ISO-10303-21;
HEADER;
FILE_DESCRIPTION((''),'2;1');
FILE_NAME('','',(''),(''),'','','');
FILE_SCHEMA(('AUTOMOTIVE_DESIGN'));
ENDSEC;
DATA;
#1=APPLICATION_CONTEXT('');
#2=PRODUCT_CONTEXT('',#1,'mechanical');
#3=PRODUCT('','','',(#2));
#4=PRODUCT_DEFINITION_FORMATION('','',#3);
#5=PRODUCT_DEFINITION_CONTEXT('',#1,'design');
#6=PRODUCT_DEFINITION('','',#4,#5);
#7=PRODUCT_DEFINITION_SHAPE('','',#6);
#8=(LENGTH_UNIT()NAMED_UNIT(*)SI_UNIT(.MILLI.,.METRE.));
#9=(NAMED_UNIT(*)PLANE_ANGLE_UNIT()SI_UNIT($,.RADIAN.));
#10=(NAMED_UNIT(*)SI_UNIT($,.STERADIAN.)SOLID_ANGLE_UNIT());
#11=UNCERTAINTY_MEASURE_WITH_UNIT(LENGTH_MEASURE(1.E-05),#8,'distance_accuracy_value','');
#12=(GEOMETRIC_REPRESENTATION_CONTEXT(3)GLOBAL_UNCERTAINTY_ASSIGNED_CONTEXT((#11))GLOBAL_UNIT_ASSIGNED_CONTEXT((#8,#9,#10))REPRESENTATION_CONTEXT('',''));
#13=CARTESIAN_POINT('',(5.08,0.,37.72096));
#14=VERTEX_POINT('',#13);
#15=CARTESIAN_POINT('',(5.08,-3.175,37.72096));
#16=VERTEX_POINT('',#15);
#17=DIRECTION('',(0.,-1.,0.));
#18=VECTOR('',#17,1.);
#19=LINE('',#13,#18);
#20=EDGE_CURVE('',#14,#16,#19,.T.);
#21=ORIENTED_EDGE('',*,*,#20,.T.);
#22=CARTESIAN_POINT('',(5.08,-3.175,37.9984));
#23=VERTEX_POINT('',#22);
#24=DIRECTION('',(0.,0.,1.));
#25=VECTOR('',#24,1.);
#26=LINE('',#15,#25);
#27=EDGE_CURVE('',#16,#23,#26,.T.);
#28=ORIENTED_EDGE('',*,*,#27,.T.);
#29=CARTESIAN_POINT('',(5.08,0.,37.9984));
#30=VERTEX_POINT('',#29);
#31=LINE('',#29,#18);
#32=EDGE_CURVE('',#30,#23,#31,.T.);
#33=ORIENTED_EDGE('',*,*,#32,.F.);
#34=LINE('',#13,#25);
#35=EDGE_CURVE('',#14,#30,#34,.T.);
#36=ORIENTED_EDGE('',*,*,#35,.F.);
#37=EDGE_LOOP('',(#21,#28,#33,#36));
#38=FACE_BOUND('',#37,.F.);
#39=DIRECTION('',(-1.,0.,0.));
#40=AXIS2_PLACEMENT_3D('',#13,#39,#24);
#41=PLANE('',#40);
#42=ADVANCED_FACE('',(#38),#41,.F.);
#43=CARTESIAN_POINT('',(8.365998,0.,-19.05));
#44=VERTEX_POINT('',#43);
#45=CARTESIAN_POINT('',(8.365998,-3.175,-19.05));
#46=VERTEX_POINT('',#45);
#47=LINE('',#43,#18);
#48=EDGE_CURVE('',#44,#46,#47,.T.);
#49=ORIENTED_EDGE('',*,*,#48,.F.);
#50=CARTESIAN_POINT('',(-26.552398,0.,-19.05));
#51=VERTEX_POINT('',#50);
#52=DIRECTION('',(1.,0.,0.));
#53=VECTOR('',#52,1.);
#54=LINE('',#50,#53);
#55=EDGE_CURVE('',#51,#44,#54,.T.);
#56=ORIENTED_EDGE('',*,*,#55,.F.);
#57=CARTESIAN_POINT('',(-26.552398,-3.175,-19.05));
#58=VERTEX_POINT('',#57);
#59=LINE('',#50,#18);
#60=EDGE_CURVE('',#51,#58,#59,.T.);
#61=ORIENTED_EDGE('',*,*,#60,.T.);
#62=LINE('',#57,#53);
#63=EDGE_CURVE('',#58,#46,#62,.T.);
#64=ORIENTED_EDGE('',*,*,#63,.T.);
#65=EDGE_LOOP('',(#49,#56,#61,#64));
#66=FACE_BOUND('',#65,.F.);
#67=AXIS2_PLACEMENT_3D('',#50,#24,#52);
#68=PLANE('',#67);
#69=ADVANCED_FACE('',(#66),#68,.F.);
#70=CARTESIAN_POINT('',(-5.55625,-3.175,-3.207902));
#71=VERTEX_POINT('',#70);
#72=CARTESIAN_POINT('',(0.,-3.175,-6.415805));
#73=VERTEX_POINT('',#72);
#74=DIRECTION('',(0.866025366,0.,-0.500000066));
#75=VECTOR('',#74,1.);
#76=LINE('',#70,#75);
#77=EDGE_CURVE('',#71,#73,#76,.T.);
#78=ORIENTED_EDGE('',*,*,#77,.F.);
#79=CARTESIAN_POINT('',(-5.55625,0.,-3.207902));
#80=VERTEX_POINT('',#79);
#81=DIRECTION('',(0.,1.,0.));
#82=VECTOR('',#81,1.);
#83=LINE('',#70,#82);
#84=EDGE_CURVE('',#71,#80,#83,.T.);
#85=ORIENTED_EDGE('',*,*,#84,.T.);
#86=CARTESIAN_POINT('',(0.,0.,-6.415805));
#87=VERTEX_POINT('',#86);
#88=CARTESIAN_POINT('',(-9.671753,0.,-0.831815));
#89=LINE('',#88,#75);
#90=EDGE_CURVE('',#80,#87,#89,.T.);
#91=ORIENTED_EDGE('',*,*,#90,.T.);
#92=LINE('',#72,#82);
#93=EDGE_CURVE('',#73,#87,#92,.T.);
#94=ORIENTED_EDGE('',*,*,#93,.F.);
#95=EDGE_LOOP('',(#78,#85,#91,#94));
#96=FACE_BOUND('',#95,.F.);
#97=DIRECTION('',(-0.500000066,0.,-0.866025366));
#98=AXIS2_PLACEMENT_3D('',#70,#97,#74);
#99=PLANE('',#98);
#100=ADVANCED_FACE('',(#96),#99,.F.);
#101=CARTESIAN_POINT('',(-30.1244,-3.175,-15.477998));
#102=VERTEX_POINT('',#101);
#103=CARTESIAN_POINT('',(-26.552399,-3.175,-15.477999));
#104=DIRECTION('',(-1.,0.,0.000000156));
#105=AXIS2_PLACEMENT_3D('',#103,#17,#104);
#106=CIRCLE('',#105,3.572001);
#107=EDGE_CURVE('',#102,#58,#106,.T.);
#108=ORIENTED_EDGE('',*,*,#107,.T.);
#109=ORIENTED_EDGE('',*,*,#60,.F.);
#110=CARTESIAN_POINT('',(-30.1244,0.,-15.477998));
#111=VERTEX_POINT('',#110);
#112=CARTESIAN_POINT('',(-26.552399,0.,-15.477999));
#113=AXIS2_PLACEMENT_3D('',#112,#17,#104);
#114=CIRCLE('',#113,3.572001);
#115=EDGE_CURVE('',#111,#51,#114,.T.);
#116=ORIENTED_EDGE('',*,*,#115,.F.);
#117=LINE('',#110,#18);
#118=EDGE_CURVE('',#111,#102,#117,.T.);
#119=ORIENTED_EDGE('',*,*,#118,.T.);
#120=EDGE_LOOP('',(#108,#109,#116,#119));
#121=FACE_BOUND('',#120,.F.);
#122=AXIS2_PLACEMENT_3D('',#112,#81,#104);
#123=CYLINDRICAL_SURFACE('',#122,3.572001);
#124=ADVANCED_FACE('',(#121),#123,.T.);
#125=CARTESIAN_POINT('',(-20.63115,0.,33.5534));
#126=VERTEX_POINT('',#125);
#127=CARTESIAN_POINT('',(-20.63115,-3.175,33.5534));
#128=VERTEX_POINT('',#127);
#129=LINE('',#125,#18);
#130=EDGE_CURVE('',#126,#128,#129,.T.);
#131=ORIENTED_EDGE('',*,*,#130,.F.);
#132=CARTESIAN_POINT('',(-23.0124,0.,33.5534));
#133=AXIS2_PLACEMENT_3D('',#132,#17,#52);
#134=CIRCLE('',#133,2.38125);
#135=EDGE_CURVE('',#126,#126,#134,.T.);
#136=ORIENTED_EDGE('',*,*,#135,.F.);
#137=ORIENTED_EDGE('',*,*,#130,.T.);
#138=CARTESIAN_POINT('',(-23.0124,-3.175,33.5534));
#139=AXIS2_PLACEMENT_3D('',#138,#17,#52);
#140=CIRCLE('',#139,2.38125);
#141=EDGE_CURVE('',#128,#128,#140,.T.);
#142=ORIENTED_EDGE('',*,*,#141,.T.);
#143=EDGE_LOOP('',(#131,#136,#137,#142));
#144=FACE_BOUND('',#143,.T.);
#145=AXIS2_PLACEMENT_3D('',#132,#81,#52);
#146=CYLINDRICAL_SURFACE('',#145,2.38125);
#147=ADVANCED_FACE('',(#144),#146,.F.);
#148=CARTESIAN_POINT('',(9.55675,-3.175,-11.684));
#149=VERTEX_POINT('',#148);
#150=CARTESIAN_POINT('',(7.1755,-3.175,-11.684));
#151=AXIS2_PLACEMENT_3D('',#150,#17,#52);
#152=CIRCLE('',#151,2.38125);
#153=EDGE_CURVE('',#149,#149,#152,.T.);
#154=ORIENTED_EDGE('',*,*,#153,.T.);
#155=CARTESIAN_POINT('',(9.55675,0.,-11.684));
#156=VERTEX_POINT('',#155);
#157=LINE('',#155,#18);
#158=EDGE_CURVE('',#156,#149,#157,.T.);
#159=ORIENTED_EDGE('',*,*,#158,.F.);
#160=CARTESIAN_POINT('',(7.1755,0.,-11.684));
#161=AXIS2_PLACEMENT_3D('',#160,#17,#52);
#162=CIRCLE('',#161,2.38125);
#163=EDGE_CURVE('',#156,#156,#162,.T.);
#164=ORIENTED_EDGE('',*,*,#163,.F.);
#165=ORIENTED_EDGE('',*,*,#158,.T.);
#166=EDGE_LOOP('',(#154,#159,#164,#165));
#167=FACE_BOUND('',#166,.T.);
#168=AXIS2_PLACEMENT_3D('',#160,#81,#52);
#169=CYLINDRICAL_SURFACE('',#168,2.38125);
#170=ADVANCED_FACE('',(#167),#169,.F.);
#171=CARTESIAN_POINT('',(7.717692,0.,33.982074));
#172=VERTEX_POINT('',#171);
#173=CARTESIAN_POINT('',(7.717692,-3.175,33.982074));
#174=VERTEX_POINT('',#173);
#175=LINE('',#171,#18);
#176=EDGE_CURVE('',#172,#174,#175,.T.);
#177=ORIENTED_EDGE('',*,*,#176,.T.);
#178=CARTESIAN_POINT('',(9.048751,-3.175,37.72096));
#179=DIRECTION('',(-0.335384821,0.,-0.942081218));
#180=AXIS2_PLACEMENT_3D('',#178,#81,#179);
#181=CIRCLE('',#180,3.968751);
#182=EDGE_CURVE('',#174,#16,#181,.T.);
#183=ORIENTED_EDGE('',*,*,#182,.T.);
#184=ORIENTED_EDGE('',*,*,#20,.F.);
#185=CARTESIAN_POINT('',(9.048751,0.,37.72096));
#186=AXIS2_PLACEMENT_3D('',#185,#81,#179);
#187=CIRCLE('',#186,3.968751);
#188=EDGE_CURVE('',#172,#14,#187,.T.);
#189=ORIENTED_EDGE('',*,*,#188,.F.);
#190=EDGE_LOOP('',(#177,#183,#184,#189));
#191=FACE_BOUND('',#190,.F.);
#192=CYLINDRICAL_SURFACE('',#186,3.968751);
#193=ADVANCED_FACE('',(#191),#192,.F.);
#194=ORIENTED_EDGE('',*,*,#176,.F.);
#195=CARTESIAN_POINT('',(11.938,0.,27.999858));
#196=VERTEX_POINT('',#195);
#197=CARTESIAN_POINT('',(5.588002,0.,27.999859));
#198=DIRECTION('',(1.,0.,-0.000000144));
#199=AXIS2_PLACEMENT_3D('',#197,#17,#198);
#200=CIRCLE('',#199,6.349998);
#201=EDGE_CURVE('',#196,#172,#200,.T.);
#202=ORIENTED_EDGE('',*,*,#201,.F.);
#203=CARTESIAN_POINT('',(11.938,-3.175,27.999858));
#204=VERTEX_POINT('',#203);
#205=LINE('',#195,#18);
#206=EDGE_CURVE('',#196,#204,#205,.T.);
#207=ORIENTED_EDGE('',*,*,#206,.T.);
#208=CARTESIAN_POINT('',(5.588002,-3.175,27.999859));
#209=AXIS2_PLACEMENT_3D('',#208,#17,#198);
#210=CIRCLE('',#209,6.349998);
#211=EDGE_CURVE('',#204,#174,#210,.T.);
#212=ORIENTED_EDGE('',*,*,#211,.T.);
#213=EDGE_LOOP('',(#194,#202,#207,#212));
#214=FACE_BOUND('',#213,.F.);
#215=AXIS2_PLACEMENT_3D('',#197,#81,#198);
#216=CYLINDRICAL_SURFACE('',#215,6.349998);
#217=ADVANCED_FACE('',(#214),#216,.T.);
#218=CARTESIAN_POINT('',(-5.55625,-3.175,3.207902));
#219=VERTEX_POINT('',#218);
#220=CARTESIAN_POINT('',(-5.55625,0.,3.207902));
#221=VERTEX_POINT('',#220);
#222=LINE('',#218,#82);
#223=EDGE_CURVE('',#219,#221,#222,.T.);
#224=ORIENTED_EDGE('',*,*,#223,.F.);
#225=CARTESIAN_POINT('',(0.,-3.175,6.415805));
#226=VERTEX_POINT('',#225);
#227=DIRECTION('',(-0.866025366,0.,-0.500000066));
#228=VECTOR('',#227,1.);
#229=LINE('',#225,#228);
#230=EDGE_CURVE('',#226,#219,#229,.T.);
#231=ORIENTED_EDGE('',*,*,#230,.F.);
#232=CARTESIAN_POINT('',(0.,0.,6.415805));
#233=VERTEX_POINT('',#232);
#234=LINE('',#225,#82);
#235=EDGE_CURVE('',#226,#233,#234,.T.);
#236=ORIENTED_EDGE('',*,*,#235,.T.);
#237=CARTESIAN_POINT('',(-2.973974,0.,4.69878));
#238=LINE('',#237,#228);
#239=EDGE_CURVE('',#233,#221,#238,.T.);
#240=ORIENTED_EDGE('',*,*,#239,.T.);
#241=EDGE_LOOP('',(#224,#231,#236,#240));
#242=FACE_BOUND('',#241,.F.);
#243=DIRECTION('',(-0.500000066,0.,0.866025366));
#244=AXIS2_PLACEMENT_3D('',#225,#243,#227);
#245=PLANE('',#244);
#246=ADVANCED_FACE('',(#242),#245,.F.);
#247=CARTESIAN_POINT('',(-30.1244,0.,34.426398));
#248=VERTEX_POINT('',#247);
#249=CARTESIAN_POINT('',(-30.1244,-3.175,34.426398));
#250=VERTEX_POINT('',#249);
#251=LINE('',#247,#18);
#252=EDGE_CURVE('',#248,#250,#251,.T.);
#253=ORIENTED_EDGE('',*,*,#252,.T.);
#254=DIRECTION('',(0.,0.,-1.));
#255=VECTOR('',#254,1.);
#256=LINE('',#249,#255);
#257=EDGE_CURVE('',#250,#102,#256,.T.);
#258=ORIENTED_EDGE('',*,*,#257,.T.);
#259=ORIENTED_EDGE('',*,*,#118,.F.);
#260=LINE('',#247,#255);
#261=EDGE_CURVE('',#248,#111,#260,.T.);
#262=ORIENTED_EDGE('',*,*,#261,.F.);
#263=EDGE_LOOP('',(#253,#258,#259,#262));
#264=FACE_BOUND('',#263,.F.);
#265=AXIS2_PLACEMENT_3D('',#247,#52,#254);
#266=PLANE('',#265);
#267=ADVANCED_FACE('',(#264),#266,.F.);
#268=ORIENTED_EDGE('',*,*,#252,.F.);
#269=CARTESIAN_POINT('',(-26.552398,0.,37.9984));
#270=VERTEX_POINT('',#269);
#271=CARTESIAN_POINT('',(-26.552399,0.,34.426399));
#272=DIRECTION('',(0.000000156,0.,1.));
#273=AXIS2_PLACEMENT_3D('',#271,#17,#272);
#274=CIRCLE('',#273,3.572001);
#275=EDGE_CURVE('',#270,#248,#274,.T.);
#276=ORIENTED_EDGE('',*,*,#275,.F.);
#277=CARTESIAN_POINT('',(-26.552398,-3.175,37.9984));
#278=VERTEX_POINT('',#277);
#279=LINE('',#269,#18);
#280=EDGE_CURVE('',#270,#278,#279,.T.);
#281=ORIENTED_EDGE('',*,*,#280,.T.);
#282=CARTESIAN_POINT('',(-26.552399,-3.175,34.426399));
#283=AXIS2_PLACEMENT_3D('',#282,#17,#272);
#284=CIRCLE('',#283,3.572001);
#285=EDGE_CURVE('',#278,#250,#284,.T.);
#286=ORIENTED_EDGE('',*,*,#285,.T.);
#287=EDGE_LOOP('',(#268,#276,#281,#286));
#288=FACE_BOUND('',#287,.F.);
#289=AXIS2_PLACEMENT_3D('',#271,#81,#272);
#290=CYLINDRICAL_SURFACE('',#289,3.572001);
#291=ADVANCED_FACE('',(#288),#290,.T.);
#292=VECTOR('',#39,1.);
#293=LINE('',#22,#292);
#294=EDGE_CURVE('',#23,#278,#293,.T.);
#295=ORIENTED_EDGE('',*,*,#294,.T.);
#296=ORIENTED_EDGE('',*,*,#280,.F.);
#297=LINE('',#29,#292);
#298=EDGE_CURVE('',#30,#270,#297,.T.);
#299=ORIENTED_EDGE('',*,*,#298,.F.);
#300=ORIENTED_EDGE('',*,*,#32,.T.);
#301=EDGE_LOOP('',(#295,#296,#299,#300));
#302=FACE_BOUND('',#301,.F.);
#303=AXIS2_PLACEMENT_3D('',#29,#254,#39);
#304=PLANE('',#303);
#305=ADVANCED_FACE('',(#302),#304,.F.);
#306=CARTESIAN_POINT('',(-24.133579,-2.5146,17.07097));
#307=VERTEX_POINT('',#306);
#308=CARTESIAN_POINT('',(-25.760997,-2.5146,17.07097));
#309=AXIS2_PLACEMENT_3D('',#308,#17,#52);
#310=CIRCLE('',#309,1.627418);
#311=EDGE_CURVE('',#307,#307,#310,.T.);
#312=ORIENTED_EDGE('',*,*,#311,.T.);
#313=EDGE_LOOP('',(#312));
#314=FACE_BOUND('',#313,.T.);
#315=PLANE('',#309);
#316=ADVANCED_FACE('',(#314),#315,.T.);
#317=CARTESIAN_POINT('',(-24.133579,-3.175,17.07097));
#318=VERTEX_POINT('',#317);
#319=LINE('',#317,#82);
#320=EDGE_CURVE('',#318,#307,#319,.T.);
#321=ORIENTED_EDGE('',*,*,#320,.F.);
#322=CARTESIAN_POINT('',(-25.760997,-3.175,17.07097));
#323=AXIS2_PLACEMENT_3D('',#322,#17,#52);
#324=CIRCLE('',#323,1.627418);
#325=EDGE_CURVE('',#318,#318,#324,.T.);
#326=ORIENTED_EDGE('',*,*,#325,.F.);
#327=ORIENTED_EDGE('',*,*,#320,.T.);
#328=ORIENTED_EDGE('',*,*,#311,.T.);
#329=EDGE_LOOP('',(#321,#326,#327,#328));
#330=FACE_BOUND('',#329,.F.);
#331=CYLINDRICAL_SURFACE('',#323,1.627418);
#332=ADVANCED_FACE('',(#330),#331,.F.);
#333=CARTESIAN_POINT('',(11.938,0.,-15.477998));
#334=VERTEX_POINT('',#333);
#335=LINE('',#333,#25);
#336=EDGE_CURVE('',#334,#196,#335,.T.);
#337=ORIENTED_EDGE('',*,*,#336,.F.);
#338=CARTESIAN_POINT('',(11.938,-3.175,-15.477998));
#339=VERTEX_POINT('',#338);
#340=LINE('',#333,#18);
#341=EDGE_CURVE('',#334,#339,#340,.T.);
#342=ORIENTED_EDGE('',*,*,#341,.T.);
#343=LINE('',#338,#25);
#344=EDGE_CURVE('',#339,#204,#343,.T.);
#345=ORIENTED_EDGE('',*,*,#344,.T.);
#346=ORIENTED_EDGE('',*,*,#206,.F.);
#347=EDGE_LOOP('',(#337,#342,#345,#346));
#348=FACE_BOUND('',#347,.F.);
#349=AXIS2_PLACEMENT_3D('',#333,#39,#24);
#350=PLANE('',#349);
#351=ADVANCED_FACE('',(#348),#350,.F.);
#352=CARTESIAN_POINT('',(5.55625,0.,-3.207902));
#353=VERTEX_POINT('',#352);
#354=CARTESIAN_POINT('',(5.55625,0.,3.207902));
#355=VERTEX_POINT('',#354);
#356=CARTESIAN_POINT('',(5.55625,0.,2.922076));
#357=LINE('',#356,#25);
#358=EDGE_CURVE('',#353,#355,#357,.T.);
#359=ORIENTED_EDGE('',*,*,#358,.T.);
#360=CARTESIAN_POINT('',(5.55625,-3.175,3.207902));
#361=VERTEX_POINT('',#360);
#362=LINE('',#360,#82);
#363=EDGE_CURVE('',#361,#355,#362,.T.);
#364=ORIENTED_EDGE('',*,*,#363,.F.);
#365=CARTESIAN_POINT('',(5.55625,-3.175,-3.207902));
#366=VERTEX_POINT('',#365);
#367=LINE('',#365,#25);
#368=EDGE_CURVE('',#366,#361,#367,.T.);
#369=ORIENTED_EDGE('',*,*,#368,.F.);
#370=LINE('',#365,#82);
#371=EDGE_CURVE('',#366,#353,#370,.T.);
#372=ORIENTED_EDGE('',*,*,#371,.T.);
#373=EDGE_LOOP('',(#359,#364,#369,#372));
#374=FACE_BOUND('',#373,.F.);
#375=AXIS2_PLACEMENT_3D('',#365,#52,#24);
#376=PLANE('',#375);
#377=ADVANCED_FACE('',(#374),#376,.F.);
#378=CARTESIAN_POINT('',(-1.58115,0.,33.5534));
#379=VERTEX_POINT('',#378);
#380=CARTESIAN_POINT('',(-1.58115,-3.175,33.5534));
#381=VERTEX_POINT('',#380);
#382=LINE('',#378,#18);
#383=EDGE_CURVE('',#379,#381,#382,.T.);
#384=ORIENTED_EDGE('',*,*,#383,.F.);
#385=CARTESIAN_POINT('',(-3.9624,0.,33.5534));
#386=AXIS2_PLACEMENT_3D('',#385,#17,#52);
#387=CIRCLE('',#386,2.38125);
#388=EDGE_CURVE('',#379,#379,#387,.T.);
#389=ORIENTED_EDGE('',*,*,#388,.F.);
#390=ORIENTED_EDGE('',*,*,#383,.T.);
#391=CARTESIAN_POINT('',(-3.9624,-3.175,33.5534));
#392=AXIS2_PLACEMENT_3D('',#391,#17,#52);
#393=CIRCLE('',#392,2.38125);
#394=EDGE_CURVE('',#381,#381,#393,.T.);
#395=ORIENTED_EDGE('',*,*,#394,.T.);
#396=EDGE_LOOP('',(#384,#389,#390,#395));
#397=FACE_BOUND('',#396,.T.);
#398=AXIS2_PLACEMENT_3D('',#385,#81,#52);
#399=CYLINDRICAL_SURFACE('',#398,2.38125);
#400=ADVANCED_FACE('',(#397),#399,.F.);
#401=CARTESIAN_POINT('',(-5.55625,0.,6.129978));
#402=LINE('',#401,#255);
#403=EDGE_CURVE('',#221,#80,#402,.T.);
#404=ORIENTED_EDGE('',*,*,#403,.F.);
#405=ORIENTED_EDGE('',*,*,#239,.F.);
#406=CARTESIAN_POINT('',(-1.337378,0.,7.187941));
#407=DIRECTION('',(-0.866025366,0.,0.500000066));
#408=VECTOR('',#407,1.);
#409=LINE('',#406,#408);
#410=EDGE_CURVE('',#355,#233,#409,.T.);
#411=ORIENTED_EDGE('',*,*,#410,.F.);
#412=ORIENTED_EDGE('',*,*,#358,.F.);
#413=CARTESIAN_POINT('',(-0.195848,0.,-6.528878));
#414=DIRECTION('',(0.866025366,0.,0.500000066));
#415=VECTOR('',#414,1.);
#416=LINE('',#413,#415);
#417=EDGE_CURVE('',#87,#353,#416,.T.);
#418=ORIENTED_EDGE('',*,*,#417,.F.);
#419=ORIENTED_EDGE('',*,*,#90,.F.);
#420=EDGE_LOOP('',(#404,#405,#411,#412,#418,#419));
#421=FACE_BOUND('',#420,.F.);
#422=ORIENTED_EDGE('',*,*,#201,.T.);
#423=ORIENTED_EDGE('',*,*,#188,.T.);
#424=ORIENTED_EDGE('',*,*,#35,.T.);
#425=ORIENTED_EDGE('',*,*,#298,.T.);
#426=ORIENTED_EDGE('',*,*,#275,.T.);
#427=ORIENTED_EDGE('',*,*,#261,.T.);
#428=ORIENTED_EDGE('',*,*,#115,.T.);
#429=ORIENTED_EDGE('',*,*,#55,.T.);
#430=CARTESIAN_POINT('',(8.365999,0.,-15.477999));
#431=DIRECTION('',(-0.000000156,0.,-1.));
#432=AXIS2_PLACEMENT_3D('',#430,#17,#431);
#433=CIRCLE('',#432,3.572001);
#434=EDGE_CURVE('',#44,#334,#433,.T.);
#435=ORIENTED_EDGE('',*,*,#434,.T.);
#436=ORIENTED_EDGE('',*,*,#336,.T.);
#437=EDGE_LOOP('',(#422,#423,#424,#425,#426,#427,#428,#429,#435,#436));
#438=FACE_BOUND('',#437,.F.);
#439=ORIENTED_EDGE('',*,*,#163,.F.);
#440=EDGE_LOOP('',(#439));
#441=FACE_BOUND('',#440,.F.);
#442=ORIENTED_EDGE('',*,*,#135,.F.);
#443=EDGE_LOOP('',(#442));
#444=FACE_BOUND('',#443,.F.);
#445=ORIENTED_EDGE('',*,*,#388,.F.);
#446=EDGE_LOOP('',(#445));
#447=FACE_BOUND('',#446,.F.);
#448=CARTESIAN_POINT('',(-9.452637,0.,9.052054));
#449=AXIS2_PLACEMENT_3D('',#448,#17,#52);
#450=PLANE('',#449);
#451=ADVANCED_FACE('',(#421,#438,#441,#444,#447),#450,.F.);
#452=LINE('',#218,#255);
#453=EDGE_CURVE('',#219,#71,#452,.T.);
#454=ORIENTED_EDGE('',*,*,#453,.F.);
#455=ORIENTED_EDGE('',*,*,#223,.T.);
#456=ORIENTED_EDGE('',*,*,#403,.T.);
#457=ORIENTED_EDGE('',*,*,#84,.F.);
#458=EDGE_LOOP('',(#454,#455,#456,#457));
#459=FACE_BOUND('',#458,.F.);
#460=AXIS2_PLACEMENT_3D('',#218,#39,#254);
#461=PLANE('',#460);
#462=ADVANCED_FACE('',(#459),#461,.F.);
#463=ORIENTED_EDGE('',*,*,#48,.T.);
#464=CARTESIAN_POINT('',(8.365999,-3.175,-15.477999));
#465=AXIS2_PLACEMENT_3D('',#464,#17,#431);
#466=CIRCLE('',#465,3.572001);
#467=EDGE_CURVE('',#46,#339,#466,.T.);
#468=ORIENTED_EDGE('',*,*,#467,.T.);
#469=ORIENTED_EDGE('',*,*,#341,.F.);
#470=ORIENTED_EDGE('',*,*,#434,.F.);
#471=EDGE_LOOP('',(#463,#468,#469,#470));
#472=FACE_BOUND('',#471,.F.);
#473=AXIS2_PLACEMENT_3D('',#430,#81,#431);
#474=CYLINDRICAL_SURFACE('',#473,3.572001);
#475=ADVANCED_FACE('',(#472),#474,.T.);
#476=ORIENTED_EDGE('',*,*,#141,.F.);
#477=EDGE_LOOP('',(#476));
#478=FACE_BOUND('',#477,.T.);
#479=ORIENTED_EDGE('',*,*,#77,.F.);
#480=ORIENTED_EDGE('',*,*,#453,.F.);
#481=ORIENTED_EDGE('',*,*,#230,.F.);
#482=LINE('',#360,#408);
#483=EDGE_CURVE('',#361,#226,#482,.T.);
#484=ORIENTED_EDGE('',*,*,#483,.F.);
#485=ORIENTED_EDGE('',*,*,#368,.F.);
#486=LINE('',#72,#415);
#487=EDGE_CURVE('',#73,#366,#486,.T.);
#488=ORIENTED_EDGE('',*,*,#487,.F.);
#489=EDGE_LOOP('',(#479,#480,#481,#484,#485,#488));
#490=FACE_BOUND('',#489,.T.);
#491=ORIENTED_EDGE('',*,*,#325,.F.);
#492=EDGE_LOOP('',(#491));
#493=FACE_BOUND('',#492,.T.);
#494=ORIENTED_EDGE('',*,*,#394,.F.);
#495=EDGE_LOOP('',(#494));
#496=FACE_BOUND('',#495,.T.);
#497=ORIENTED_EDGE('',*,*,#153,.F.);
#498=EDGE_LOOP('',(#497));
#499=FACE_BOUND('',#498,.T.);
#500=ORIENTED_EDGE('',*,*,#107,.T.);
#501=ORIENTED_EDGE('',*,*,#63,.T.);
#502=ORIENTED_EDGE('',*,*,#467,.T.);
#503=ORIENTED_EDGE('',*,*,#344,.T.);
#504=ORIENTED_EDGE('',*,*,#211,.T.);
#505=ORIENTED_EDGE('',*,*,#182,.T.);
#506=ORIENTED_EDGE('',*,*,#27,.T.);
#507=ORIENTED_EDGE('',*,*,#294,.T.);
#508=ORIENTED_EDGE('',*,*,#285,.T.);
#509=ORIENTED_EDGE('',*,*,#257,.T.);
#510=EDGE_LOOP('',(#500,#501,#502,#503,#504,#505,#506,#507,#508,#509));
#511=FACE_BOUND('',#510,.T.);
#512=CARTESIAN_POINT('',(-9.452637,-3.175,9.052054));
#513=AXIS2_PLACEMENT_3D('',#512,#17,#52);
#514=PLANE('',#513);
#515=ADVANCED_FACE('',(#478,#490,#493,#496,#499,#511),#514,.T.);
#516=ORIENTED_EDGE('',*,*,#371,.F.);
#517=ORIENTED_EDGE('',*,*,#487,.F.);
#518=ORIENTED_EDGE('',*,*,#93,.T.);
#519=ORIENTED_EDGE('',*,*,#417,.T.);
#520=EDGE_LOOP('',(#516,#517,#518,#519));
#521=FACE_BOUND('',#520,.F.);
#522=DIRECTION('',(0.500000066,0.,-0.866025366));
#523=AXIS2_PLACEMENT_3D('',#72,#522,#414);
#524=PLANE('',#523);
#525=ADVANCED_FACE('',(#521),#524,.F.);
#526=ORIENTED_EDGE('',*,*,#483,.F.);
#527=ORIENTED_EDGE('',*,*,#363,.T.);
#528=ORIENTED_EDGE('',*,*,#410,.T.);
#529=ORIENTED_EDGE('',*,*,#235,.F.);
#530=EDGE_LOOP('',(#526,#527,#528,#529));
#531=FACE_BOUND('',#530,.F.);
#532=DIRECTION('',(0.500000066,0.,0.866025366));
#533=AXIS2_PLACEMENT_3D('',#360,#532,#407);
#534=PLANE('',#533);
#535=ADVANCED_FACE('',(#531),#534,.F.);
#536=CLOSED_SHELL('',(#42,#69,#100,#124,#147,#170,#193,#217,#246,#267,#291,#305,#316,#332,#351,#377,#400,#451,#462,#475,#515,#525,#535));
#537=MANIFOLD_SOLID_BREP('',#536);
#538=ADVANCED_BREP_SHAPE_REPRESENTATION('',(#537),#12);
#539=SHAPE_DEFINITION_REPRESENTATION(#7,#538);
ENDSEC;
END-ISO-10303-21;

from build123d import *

# Parameters (mm, degrees)
F0_R     = 2.38125
F0_R_2   = 3.175
F1_DEPTH = 3.175
F3_DEPTH = 3.176
F4_R     = 1.627418
F5_DEPTH = 0.6604


with BuildPart() as f1:
    # F0 (on Front) → F1 (new body)
    with BuildSketch(Plane.XZ):
        with BuildLine():
            ThreePointArc((-30.1244, -15.477998), (-29.078185, -18.003785), (-26.552398, -19.05))
            Line((-26.552398, -19.05), (8.365998, -19.05))
            ThreePointArc((8.365998, -19.05), (10.891785, -18.003785), (11.938, -15.477998))
            Line((11.938, -15.477998), (11.938, 27.999858))
            ThreePointArc((11.938, 27.999858), (10.77674, 31.660388), (7.717692, 33.982074))
            ThreePointArc((7.717692, 33.982074), (5.805787, 35.433129), (5.08, 37.72096))
            Line((5.08, 37.72096), (5.08, 37.9984))
            Line((5.08, 37.9984), (-26.552398, 37.9984))
            ThreePointArc((-26.552398, 37.9984), (-29.078185, 36.952185), (-30.1244, 34.426398))
            Line((-30.1244, 34.426398), (-30.1244, -15.477998))
        make_face()
        with Locations((7.1755, -11.684)):
            Circle(F0_R, mode=Mode.SUBTRACT)
        Circle(F0_R_2, mode=Mode.SUBTRACT)
        with Locations((-23.0124, 33.5534)):
            Circle(F0_R, mode=Mode.SUBTRACT)
        with Locations((-3.9624, 33.5534)):
            Circle(F0_R, mode=Mode.SUBTRACT)
    extrude(amount=F1_DEPTH)

    # F2 (on face) → F3 (cut, through all)
    with BuildSketch(Plane.XZ.offset(3.175)):
        Polygon((0, 6.415805), (-5.55625, 3.207902), (-5.55625, -3.207902), (0, -6.415805), (5.55625, -3.207902), (5.55625, 3.207902), align=None)
    extrude(amount=-F3_DEPTH, mode=Mode.SUBTRACT)

    # F4 (on face) → F5 (cut)
    with BuildSketch(Plane.XZ.offset(3.175)):
        with Locations((-25.760997, 17.07097)):
            Circle(F4_R)
    extrude(amount=-F5_DEPTH, mode=Mode.SUBTRACT)


solid = f1.part
